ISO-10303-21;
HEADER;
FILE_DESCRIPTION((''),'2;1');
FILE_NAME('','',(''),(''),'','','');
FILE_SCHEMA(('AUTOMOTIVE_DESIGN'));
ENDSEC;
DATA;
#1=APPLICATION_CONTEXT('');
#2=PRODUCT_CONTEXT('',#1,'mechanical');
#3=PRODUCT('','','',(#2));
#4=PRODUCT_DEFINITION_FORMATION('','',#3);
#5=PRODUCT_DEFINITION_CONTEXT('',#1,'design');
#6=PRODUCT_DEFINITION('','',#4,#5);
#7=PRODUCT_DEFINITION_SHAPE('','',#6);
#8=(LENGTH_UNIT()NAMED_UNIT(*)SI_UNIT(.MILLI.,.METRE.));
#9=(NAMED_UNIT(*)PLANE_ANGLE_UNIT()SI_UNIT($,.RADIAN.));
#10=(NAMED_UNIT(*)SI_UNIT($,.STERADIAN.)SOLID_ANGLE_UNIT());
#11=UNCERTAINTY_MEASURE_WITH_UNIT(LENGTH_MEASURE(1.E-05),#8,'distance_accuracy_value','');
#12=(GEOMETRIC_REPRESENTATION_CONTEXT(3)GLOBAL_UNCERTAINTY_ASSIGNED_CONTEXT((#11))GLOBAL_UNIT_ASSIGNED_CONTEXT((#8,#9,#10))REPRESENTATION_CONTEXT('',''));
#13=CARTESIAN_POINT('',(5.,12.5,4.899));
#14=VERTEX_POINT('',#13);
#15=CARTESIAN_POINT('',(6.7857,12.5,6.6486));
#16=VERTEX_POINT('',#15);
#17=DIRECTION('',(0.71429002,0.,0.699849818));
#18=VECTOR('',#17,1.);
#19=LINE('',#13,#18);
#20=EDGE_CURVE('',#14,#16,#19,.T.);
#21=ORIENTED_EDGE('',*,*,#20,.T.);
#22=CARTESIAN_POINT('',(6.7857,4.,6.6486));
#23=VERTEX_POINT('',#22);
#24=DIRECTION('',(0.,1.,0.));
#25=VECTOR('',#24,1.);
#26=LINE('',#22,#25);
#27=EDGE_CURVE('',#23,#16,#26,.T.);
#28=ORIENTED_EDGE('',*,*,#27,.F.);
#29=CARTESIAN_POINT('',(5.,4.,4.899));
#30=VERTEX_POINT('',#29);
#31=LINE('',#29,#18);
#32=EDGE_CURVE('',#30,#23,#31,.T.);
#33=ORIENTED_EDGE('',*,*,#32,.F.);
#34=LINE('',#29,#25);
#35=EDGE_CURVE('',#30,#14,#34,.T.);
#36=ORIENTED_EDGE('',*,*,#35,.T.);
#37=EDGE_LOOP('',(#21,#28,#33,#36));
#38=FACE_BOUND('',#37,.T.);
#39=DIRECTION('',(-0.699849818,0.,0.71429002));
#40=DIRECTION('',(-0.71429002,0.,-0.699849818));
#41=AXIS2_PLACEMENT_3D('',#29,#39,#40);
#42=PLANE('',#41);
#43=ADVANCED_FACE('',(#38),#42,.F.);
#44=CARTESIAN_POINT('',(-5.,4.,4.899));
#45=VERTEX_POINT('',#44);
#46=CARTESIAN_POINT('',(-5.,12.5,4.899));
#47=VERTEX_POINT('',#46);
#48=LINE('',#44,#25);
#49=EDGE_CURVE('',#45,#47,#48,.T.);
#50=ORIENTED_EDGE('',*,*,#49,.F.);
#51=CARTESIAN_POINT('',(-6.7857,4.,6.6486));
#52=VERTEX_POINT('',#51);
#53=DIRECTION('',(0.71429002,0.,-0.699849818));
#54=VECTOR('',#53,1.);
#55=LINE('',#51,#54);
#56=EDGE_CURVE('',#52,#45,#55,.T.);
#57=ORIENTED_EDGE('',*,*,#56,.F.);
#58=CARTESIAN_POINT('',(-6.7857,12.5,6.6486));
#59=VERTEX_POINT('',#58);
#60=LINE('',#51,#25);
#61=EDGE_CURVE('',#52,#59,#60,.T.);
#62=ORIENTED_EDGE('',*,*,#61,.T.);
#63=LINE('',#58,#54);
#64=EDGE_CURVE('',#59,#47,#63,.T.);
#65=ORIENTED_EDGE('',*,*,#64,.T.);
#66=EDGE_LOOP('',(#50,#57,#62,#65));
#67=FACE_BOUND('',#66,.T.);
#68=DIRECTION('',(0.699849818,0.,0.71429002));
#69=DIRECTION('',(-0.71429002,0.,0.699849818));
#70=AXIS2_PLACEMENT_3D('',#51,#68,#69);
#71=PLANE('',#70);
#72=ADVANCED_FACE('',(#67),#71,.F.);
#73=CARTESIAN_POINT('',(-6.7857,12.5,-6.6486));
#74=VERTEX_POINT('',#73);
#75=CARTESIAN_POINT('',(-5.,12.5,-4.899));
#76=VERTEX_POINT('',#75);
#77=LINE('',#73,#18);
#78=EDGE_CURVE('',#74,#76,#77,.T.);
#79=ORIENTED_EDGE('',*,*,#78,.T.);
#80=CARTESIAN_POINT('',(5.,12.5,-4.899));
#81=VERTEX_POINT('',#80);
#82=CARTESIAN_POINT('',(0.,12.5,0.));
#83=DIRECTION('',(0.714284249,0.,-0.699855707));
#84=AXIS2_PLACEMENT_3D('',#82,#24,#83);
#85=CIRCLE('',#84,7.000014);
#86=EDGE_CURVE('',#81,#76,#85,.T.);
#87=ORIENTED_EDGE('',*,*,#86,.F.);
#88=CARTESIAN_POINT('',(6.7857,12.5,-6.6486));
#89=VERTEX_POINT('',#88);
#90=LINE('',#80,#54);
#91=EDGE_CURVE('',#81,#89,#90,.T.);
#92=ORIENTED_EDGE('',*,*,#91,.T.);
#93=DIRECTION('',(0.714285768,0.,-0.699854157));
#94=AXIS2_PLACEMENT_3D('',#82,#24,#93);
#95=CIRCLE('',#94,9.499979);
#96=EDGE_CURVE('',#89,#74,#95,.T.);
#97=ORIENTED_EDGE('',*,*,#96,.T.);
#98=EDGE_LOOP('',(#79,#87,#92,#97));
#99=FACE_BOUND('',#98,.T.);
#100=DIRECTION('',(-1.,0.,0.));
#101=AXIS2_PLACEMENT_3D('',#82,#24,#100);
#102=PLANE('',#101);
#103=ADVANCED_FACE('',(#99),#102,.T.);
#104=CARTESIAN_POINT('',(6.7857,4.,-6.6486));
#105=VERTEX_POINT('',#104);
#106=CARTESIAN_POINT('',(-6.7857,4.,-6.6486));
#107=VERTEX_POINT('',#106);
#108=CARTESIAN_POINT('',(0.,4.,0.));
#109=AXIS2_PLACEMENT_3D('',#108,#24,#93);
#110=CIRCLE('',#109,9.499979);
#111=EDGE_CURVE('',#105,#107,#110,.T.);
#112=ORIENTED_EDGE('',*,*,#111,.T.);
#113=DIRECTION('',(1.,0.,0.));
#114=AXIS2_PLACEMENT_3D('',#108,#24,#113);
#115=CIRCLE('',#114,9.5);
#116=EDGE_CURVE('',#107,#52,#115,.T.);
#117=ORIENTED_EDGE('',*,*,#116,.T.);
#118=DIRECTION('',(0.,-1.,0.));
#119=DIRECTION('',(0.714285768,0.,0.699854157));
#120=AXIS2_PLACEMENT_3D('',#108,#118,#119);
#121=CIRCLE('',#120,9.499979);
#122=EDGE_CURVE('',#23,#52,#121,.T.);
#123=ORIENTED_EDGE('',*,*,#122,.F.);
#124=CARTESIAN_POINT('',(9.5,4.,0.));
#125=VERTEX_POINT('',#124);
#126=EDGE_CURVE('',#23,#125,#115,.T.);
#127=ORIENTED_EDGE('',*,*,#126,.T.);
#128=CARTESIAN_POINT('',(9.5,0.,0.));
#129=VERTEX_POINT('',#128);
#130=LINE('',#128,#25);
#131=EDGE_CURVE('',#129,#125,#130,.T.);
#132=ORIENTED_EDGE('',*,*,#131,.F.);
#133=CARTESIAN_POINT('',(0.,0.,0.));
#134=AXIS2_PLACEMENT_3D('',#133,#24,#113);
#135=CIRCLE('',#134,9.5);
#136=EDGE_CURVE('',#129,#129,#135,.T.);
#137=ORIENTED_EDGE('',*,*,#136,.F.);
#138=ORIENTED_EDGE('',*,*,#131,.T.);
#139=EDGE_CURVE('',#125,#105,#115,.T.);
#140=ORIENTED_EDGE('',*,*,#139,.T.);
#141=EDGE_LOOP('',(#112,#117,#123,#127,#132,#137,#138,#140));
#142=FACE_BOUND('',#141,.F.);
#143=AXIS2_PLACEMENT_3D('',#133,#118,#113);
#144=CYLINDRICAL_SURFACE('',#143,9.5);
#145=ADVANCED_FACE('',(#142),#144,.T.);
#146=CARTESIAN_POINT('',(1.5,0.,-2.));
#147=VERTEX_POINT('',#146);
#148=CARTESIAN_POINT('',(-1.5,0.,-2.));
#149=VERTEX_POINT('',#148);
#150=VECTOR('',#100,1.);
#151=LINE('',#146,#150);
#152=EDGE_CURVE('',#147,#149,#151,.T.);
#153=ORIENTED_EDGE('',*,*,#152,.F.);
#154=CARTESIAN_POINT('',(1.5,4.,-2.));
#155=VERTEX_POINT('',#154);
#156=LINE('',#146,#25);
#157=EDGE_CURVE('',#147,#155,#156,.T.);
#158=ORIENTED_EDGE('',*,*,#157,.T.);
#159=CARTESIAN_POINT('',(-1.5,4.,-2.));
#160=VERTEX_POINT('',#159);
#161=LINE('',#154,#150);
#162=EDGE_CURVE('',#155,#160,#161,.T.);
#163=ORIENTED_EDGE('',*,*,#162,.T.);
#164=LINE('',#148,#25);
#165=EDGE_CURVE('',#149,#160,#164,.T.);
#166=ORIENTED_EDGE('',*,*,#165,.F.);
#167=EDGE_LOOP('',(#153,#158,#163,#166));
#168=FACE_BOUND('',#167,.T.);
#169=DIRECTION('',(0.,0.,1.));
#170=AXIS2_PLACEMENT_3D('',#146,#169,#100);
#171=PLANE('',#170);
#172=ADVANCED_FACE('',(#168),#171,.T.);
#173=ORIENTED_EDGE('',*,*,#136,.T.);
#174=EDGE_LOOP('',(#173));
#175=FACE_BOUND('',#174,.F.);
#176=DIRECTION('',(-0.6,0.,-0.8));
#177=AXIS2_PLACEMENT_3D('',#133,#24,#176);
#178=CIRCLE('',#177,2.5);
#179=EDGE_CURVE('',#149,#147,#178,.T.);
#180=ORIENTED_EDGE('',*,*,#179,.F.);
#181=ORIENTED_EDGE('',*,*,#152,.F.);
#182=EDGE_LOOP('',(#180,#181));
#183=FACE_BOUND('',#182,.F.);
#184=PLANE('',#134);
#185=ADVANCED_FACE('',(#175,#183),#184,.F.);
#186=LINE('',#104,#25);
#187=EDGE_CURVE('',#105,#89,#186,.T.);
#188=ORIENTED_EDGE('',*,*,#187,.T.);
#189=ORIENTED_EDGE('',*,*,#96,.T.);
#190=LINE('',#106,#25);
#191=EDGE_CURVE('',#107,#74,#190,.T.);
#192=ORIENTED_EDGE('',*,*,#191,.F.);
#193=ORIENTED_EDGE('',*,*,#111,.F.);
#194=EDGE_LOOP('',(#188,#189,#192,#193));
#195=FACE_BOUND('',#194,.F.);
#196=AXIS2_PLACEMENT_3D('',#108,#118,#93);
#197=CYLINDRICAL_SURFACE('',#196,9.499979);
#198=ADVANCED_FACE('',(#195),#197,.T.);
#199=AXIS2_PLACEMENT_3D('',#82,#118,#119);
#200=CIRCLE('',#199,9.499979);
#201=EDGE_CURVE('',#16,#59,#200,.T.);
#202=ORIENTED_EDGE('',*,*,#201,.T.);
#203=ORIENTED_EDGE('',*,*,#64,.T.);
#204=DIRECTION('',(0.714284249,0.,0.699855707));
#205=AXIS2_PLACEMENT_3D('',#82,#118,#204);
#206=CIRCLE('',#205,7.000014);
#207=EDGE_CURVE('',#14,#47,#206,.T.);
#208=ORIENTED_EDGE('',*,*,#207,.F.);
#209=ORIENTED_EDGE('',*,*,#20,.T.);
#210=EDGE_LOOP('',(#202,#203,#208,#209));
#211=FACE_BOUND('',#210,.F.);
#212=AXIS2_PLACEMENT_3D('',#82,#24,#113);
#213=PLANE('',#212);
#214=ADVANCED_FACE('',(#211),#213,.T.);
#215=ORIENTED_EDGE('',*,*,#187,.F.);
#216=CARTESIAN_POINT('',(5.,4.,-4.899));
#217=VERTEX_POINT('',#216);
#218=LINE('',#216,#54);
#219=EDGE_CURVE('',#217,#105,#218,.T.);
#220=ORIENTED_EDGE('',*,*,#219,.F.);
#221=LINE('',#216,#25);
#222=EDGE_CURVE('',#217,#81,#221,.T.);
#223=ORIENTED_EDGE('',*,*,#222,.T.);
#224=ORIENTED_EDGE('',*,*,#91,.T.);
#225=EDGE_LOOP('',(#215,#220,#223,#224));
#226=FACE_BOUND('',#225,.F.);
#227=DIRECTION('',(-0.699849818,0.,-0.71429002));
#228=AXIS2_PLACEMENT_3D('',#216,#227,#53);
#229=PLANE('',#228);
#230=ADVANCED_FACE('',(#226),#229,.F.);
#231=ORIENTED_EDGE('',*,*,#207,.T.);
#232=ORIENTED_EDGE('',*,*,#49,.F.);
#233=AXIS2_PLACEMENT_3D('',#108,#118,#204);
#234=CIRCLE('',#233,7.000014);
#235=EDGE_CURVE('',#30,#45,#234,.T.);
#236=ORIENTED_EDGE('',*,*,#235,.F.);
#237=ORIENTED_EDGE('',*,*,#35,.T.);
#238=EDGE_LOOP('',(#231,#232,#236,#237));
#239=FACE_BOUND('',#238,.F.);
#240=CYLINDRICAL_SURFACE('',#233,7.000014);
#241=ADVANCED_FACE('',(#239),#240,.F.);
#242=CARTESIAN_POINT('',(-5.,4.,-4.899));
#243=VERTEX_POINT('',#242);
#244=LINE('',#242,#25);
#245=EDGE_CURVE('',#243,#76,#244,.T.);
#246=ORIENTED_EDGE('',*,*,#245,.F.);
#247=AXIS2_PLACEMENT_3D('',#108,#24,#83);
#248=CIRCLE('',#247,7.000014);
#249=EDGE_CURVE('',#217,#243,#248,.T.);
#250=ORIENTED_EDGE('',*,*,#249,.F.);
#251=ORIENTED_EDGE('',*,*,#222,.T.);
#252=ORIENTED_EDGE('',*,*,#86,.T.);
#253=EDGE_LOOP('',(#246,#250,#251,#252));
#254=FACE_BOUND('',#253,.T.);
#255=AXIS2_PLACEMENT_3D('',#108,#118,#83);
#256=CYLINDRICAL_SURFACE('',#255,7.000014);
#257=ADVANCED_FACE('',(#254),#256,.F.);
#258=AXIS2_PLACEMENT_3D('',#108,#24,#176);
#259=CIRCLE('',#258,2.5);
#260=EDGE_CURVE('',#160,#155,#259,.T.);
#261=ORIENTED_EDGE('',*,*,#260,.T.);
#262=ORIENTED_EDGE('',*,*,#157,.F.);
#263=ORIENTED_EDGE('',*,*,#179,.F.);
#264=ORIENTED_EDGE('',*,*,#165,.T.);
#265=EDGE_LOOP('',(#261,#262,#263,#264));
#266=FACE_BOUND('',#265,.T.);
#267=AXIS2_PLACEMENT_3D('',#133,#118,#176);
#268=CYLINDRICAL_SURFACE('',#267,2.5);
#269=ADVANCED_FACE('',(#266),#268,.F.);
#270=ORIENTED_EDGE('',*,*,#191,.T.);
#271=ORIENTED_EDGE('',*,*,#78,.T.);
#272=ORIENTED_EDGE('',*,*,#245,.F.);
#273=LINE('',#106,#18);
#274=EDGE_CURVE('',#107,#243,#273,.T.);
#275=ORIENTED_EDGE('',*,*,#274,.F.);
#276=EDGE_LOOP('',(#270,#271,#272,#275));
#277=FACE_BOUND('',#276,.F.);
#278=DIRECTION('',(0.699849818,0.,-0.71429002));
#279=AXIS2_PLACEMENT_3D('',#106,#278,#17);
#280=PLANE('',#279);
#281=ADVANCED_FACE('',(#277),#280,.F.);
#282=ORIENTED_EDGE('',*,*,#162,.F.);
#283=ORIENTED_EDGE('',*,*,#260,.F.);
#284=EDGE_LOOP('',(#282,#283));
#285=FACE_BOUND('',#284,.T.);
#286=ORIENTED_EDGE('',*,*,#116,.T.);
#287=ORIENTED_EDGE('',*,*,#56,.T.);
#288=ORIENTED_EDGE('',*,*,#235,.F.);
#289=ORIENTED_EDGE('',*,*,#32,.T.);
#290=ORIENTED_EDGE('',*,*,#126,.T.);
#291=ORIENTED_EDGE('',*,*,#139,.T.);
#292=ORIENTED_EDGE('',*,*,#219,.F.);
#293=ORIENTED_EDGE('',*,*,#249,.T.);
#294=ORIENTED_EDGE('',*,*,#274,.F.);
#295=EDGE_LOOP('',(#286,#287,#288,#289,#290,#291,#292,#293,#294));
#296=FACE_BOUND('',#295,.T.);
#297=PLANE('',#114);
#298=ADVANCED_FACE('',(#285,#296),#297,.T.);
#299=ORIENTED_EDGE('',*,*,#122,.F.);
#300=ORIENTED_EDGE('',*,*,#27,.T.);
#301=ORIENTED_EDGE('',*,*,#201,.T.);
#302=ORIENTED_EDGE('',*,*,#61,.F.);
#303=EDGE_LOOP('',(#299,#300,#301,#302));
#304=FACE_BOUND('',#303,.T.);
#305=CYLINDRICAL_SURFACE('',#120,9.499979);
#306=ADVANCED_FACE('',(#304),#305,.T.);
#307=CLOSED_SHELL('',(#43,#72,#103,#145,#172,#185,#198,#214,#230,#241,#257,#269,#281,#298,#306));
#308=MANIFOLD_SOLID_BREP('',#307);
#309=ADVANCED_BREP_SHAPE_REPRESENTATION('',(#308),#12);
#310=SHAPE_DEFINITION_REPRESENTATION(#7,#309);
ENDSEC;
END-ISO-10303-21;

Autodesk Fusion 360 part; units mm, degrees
sketch "Sketch1" plane through (0, 0, 0) normal (0, 1, 0) x (1, 0, 0)
  arc A0 (-1.5, 2) -> (1.5, 2) centre (0, 0) ccw
  line L0 (1.5, 2) -> (-1.5, 2)
  circle A1 centre (0, 0) radius 9.5
  dimension "d1" = 3
  dimension "d2" = 2.5
  dimension "d3" = 19
extrude "Extrude1" add sketch "Sketch1" along normal blind 4
sketch "Sketch2" plane through (0, 4, 0) normal (0, 1, 0) x (-1, 0, 0)
  arc A0 (1.5, -2) -> (-1.5, -2) centre (0, 0) ccw
  line L0 (1.5, -2) -> (-1.5, -2)
  line L1 (4.5, -7) -> (-4.5, -7) construction
  line L2 (0, -14.5329) -> (0, 17.7812) construction
  circle A1 centre (0, 0) radius 9.5 construction
  circle A2 centre (0, 0) radius 7 construction
  line L3 (6.7857, -6.6486) -> (5, -4.899)
  line L4 (-5, -4.899) -> (-6.7857, -6.6486)
  arc A3 (-5, -4.899) -> (5, -4.899) centre (0, 0) ccw
  arc A4 (-6.7857, -6.6486) -> (6.7857, -6.6486) centre (0, 0) ccw
  dimension "d6" = 3
  dimension "d7" = 2.5
  dimension "d8" = 9
  dimension "d9" = 4.5
  dimension "d10" = 14
  dimension "d14" = 10
  dimension "d15" = 7
  dimension "d16" = 9.5
extrude "Extrude2" add sketch "Sketch2" along normal blind 8.5 contours L3 L4 A3 A4
mirror "Mirror1" about plane through (0, 0, 0) normal (0, 0, 1) of "Extrude2"
